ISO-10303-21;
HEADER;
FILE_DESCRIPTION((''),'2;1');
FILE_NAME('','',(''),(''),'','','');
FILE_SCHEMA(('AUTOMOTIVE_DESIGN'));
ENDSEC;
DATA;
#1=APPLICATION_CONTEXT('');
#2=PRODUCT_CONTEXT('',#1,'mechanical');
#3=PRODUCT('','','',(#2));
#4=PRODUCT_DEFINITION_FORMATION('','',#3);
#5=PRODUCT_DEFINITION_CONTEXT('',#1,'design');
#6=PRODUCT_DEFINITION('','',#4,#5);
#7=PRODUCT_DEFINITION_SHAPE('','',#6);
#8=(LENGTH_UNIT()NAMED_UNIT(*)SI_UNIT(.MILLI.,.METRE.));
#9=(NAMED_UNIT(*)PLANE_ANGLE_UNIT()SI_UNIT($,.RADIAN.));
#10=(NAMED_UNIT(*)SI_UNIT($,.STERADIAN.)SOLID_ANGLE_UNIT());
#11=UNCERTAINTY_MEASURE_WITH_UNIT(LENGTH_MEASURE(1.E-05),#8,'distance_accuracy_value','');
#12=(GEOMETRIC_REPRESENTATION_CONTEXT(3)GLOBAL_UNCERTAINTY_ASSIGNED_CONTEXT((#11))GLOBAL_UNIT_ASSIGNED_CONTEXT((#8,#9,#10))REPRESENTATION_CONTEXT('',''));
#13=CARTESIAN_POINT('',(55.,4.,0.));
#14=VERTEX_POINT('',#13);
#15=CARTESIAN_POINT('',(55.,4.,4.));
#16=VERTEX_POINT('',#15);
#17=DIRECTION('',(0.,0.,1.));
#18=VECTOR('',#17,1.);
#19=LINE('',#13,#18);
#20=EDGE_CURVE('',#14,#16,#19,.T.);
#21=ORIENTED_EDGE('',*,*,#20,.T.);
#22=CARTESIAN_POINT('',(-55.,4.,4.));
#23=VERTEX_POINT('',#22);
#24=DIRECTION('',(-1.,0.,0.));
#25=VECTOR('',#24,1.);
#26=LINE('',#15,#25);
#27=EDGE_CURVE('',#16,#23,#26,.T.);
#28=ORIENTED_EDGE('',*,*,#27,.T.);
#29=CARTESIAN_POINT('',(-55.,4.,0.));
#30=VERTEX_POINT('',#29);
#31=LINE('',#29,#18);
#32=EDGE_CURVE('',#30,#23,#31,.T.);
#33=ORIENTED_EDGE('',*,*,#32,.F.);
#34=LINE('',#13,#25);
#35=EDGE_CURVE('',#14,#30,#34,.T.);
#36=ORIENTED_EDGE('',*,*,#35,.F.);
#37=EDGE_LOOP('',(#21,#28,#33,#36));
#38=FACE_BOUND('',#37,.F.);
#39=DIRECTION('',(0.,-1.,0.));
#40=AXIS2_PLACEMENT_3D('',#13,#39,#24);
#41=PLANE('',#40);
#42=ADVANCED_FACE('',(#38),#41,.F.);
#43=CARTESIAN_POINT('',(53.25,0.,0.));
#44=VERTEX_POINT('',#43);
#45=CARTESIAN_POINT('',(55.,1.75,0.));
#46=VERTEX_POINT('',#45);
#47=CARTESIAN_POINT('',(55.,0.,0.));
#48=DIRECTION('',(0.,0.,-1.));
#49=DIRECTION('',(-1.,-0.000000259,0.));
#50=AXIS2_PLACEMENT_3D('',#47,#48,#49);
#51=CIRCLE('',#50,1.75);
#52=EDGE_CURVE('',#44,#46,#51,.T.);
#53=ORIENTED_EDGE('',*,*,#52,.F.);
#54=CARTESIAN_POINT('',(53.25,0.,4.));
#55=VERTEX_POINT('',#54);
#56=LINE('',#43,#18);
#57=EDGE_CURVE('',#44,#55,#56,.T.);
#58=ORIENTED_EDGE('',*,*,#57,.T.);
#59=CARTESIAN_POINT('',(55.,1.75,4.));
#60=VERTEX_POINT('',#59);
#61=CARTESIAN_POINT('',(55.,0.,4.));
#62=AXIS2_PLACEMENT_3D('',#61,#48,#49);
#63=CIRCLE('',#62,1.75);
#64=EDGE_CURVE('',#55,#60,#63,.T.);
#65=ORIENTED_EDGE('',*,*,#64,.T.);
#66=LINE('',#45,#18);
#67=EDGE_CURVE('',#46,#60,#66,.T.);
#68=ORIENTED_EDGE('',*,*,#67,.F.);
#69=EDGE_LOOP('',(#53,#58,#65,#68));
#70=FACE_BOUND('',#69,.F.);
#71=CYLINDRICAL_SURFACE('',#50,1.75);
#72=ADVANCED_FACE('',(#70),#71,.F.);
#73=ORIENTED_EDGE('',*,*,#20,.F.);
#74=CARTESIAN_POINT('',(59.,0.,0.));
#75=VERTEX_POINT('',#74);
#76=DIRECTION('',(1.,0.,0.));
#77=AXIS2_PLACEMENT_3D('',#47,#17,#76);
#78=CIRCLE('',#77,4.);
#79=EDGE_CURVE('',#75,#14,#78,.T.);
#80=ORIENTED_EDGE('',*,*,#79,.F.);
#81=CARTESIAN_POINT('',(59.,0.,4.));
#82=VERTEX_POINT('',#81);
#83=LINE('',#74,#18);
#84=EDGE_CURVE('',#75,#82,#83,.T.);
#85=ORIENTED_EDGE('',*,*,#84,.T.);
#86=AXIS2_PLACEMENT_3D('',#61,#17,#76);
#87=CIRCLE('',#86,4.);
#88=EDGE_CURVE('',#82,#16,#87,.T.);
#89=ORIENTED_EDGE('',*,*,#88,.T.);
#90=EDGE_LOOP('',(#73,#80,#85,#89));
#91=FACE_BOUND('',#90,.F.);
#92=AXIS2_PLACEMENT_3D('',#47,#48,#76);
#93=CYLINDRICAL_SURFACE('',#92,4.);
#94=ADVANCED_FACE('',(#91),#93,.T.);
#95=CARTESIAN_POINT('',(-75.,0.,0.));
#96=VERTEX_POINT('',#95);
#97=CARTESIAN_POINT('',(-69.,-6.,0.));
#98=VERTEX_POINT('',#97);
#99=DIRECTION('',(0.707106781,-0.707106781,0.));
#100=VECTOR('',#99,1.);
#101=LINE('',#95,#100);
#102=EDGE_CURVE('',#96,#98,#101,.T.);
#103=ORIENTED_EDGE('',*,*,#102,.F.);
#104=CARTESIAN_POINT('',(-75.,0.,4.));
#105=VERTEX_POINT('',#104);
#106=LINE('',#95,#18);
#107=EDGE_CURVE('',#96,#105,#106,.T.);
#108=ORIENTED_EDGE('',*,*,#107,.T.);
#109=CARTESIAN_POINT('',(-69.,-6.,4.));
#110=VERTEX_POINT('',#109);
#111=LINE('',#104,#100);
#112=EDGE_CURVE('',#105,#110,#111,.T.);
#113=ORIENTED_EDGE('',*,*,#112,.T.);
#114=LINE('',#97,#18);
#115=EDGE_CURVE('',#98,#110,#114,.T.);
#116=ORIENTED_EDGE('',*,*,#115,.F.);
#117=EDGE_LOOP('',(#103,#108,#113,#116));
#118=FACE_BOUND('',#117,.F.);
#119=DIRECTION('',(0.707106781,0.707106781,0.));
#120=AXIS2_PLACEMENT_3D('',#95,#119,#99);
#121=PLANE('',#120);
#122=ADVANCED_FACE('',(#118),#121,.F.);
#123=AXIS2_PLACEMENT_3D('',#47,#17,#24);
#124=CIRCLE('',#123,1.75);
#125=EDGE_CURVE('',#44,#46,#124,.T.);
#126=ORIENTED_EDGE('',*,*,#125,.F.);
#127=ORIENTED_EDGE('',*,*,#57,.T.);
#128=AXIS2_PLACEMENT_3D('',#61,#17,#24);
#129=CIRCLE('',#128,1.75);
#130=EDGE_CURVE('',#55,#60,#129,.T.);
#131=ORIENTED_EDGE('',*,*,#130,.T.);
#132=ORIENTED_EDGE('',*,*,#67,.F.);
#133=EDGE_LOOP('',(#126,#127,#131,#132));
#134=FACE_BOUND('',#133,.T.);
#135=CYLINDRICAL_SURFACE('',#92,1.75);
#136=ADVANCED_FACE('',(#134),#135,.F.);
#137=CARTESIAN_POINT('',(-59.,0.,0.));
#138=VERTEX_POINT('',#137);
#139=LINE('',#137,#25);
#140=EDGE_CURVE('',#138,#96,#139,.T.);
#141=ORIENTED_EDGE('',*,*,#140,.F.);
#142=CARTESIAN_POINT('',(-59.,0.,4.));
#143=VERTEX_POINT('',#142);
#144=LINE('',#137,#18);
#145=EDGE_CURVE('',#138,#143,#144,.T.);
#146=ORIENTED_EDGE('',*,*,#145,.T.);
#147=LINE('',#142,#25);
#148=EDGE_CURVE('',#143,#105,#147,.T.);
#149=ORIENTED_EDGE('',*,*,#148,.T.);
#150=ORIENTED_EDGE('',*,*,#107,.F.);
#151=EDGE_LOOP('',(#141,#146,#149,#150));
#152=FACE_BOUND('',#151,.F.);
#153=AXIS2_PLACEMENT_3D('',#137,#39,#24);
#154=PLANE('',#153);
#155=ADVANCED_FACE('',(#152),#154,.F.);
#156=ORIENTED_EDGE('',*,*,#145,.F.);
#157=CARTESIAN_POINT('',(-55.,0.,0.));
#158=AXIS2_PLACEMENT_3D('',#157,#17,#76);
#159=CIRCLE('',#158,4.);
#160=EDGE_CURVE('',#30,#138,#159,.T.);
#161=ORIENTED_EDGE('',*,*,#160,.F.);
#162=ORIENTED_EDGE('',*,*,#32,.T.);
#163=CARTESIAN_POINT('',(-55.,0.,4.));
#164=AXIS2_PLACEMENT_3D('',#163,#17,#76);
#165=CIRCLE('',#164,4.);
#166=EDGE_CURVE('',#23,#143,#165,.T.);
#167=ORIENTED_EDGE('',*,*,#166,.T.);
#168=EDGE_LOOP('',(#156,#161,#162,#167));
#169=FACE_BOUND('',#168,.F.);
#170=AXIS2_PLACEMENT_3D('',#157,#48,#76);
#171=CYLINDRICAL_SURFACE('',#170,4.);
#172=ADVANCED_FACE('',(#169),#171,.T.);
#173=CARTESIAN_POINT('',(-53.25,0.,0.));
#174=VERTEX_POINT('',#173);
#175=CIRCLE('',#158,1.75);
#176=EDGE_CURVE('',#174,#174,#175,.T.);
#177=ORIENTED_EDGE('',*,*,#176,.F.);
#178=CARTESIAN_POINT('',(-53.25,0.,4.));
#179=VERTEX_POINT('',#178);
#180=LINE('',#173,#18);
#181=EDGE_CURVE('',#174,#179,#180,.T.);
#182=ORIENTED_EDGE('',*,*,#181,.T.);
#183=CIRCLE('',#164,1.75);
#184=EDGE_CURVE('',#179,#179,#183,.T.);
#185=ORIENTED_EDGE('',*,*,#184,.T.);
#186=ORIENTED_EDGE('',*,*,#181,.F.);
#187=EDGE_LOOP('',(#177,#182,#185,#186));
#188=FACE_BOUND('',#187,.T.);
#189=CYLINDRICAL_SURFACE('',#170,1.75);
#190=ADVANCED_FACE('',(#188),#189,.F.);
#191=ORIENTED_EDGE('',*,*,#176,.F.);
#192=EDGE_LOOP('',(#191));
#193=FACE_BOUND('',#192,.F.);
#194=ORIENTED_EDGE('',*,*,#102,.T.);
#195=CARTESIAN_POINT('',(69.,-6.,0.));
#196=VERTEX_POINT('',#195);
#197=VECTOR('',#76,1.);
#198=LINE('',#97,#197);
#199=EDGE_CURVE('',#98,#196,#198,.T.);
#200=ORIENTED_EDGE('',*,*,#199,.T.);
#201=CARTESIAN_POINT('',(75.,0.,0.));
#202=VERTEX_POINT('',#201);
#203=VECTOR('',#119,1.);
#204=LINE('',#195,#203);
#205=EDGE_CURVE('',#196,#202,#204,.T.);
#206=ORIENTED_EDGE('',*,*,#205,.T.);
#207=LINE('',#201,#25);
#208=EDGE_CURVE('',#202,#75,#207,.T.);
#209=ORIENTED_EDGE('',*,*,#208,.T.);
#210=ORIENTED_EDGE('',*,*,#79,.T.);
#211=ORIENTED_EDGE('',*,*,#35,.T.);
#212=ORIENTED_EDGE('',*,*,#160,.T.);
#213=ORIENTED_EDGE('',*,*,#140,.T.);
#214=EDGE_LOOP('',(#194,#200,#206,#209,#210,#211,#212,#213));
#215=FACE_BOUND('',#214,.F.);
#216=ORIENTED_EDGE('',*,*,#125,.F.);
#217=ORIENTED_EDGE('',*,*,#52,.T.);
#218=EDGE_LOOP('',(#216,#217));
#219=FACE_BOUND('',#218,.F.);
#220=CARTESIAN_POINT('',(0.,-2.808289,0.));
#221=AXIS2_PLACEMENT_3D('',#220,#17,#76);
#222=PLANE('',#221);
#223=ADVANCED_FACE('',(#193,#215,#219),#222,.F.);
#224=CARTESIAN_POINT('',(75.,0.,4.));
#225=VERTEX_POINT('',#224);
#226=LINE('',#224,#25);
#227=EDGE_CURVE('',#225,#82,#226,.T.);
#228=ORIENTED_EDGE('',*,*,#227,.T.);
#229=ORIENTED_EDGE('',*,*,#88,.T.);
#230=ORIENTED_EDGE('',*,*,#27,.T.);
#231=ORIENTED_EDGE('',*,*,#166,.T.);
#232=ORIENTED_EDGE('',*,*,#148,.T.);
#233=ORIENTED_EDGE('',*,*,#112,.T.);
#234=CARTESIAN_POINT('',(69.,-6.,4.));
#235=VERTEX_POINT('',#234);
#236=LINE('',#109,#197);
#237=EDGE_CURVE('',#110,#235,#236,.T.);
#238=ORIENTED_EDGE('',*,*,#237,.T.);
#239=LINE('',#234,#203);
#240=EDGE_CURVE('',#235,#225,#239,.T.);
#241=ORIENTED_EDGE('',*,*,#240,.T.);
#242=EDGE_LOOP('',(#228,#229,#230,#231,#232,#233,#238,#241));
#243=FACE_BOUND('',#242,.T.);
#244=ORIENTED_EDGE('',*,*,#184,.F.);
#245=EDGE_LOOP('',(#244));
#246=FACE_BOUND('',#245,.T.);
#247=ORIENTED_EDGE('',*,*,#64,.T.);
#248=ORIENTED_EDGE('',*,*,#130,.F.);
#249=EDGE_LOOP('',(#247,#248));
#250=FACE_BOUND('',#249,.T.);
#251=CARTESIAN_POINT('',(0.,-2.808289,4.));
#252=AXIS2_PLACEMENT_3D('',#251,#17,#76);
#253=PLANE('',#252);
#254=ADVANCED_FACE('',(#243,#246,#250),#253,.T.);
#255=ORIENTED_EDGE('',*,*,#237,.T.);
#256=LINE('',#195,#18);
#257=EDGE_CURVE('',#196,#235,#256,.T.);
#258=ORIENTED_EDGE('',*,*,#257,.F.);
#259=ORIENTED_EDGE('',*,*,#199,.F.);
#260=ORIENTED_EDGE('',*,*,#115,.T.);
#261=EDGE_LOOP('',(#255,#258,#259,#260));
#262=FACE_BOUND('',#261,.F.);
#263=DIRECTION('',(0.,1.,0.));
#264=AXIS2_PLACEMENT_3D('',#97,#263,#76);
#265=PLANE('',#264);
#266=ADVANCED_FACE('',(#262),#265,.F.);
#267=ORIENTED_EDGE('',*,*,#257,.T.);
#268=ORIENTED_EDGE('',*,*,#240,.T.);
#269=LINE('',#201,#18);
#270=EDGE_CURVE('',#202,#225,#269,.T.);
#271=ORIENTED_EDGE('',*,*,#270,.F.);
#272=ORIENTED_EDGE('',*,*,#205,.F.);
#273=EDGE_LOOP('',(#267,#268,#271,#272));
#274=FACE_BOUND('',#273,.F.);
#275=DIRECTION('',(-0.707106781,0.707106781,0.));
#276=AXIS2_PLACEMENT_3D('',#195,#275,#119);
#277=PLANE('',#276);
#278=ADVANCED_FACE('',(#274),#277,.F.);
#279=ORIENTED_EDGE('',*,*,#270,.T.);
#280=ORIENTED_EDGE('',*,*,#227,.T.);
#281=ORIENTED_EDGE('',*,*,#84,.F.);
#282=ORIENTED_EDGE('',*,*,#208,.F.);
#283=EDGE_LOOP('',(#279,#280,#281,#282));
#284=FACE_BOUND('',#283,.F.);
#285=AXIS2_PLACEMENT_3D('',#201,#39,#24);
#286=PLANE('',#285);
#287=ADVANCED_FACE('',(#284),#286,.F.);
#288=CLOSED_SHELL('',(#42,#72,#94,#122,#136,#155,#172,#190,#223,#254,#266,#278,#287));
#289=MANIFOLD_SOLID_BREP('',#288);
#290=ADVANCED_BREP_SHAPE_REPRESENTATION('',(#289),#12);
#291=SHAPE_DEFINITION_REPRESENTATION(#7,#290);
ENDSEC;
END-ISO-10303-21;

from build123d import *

# Parameters (mm, degrees)
F0_R     = 1.75
F1_DEPTH = 4
F3_DEPTH = 4


with BuildPart() as f1:
    # F0 (on Top) → F1 (new body)
    with BuildSketch(Plane.XY):
        with BuildLine():
            Line((51, 0), (0, 0))
            Line((0, 0), (-51, 0))
            ThreePointArc((-51, 0), (-55, -4), (-59, 0))
            Line((-59, 0), (-69, 0))
            Line((-69, 0), (-75, 0))
            Line((-75, 0), (-69, -6))
            Line((-69, -6), (69, -6))
            Line((69, -6), (75, 0))
            Line((75, 0), (69, 0))
            Line((69, 0), (59, 0))
            ThreePointArc((59, 0), (55, 4), (51, 0))
        make_face()
        with Locations((55, 0)):
            Circle(F0_R, mode=Mode.SUBTRACT)
        with BuildLine():
            ThreePointArc((-59, 0), (-55, -4), (-51, 0))
            ThreePointArc((-51, 0), (-55, 4), (-59, 0))
        make_face()
        with Locations((-55, 0)):
            Circle(F0_R, mode=Mode.SUBTRACT)
    extrude(amount=F1_DEPTH)

    # F2 (on Top) → F3 (join)
    with BuildSketch(Plane.XY):
        with BuildLine():
            Line((-53.25, 0), (0, 0))
            Line((0, 0), (53.25, 0))
            ThreePointArc((53.25, 0), (53.762563, 1.237437), (55, 1.75))
            Line((55, 1.75), (55, 4))
            Line((55, 4), (-55, 4))
            Line((-55, 4), (-55, 1.75))
            ThreePointArc((-55, 1.75), (-53.762563, 1.237437), (-53.25, 0))
        make_face()
    extrude(amount=F3_DEPTH)


solid = f1.part
